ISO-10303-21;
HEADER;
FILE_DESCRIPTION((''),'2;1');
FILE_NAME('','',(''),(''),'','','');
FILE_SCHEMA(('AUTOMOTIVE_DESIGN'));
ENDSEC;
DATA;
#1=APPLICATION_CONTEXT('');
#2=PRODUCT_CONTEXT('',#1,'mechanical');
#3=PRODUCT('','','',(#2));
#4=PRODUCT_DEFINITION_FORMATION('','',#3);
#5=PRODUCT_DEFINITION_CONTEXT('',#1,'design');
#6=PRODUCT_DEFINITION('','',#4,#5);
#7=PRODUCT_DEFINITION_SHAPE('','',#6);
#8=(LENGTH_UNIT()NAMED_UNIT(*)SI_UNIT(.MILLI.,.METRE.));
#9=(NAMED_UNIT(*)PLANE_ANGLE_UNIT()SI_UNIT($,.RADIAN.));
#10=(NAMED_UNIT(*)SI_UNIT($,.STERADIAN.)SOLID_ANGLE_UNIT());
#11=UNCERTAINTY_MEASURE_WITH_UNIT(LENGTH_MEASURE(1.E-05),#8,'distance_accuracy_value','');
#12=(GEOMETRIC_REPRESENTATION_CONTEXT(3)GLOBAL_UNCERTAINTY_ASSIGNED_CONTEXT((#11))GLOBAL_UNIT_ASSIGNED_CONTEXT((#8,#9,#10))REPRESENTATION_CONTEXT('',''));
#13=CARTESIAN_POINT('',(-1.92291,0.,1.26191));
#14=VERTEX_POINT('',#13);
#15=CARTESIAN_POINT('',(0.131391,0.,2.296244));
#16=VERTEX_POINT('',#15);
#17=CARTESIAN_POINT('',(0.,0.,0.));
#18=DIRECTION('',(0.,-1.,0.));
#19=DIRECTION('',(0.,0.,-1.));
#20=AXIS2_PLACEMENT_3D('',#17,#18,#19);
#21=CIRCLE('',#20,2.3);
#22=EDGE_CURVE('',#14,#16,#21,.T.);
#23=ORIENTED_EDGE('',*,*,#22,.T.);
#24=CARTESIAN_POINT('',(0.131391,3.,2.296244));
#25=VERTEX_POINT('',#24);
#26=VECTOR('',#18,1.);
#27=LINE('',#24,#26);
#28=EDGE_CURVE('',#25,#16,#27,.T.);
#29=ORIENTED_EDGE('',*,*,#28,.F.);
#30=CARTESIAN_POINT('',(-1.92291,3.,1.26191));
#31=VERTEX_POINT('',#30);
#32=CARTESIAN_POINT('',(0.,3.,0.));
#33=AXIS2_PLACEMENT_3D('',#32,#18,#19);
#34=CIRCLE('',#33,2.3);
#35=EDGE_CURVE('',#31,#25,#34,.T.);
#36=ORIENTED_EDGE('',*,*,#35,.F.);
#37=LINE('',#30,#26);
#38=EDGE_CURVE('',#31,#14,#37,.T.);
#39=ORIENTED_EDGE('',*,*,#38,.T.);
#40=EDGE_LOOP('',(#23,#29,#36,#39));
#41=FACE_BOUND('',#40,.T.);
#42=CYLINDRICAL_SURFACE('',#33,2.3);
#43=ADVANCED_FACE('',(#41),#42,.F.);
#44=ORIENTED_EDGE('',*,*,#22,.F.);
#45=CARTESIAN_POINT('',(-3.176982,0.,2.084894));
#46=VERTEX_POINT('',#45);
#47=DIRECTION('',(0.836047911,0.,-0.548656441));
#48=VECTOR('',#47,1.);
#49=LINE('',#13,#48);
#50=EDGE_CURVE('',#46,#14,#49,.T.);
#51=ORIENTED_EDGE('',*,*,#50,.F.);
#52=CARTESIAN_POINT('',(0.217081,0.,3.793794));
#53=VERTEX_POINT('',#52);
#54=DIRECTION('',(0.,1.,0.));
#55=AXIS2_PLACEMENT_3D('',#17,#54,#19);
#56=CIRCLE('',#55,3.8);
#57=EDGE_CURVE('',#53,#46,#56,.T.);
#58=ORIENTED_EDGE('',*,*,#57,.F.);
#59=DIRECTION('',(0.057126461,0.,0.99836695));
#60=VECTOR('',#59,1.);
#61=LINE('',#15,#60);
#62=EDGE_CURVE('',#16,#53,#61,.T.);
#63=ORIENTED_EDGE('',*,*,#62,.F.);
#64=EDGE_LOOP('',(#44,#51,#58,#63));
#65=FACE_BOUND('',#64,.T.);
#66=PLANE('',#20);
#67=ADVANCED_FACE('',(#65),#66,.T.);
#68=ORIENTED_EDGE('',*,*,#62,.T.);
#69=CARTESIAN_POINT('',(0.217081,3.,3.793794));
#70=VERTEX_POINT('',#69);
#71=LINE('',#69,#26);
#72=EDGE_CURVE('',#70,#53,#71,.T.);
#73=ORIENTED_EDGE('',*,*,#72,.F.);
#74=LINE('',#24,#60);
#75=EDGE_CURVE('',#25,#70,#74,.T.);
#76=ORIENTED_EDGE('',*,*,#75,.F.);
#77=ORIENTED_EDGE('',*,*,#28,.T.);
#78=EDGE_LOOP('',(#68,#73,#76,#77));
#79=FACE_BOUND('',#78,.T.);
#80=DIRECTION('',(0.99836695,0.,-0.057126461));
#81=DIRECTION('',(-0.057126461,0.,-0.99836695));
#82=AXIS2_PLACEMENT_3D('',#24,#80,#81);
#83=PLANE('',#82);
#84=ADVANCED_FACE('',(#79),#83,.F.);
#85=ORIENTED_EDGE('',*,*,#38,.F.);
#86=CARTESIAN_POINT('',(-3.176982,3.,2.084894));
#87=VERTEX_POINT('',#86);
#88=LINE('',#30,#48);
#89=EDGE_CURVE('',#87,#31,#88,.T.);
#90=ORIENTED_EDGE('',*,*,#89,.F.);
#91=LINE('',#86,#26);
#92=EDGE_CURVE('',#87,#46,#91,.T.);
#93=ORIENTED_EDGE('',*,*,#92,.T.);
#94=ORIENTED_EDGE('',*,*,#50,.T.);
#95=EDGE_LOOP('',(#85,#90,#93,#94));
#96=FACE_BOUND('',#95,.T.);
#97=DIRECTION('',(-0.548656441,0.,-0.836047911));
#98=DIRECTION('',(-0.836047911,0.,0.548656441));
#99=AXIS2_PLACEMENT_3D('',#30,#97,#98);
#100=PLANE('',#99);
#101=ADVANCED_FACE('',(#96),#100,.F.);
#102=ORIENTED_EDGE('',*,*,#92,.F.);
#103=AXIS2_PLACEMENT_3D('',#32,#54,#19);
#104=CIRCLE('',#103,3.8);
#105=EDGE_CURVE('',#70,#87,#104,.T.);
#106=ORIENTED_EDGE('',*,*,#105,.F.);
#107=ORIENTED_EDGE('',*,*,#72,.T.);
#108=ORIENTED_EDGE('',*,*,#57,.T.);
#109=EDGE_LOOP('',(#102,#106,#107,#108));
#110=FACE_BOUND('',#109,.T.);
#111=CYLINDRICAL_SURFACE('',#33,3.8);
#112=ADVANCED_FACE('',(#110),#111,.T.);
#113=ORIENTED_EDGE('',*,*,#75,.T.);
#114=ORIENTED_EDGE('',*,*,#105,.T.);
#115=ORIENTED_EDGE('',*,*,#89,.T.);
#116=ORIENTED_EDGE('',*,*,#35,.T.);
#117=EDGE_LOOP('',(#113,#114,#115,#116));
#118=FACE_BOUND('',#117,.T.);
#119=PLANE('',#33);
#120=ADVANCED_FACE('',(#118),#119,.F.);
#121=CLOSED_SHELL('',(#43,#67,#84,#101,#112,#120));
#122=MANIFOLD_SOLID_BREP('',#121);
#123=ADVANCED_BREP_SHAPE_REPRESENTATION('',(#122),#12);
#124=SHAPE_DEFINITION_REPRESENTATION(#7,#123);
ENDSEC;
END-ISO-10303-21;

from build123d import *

# Parameters (mm, degrees)
BOSS_EXTRUDE1_DEPTH = 3


with BuildPart() as part:
    # Sketch3 → Boss-Extrude1 (new body)
    with BuildSketch(Plane(origin=(0, 0, 0), x_dir=(1, 0, 0), z_dir=(0, 1, 0))):
        with BuildLine():
            Line((-1.922910195, -1.261909815), (-3.176982061, -2.084894478))
            ThreePointArc((-3.176982061, -2.084894478), (1.708899934, 3.394062612), (0.217080551, -3.793794411))
            Line((0.217080551, -3.793794411), (0.13139086, -2.296243986))
            ThreePointArc((0.13139086, -2.296243986), (1.03433417, 2.054301055), (-1.922910195, -1.261909815))
        make_face()
    extrude(amount=BOSS_EXTRUDE1_DEPTH)


solid = part.part
